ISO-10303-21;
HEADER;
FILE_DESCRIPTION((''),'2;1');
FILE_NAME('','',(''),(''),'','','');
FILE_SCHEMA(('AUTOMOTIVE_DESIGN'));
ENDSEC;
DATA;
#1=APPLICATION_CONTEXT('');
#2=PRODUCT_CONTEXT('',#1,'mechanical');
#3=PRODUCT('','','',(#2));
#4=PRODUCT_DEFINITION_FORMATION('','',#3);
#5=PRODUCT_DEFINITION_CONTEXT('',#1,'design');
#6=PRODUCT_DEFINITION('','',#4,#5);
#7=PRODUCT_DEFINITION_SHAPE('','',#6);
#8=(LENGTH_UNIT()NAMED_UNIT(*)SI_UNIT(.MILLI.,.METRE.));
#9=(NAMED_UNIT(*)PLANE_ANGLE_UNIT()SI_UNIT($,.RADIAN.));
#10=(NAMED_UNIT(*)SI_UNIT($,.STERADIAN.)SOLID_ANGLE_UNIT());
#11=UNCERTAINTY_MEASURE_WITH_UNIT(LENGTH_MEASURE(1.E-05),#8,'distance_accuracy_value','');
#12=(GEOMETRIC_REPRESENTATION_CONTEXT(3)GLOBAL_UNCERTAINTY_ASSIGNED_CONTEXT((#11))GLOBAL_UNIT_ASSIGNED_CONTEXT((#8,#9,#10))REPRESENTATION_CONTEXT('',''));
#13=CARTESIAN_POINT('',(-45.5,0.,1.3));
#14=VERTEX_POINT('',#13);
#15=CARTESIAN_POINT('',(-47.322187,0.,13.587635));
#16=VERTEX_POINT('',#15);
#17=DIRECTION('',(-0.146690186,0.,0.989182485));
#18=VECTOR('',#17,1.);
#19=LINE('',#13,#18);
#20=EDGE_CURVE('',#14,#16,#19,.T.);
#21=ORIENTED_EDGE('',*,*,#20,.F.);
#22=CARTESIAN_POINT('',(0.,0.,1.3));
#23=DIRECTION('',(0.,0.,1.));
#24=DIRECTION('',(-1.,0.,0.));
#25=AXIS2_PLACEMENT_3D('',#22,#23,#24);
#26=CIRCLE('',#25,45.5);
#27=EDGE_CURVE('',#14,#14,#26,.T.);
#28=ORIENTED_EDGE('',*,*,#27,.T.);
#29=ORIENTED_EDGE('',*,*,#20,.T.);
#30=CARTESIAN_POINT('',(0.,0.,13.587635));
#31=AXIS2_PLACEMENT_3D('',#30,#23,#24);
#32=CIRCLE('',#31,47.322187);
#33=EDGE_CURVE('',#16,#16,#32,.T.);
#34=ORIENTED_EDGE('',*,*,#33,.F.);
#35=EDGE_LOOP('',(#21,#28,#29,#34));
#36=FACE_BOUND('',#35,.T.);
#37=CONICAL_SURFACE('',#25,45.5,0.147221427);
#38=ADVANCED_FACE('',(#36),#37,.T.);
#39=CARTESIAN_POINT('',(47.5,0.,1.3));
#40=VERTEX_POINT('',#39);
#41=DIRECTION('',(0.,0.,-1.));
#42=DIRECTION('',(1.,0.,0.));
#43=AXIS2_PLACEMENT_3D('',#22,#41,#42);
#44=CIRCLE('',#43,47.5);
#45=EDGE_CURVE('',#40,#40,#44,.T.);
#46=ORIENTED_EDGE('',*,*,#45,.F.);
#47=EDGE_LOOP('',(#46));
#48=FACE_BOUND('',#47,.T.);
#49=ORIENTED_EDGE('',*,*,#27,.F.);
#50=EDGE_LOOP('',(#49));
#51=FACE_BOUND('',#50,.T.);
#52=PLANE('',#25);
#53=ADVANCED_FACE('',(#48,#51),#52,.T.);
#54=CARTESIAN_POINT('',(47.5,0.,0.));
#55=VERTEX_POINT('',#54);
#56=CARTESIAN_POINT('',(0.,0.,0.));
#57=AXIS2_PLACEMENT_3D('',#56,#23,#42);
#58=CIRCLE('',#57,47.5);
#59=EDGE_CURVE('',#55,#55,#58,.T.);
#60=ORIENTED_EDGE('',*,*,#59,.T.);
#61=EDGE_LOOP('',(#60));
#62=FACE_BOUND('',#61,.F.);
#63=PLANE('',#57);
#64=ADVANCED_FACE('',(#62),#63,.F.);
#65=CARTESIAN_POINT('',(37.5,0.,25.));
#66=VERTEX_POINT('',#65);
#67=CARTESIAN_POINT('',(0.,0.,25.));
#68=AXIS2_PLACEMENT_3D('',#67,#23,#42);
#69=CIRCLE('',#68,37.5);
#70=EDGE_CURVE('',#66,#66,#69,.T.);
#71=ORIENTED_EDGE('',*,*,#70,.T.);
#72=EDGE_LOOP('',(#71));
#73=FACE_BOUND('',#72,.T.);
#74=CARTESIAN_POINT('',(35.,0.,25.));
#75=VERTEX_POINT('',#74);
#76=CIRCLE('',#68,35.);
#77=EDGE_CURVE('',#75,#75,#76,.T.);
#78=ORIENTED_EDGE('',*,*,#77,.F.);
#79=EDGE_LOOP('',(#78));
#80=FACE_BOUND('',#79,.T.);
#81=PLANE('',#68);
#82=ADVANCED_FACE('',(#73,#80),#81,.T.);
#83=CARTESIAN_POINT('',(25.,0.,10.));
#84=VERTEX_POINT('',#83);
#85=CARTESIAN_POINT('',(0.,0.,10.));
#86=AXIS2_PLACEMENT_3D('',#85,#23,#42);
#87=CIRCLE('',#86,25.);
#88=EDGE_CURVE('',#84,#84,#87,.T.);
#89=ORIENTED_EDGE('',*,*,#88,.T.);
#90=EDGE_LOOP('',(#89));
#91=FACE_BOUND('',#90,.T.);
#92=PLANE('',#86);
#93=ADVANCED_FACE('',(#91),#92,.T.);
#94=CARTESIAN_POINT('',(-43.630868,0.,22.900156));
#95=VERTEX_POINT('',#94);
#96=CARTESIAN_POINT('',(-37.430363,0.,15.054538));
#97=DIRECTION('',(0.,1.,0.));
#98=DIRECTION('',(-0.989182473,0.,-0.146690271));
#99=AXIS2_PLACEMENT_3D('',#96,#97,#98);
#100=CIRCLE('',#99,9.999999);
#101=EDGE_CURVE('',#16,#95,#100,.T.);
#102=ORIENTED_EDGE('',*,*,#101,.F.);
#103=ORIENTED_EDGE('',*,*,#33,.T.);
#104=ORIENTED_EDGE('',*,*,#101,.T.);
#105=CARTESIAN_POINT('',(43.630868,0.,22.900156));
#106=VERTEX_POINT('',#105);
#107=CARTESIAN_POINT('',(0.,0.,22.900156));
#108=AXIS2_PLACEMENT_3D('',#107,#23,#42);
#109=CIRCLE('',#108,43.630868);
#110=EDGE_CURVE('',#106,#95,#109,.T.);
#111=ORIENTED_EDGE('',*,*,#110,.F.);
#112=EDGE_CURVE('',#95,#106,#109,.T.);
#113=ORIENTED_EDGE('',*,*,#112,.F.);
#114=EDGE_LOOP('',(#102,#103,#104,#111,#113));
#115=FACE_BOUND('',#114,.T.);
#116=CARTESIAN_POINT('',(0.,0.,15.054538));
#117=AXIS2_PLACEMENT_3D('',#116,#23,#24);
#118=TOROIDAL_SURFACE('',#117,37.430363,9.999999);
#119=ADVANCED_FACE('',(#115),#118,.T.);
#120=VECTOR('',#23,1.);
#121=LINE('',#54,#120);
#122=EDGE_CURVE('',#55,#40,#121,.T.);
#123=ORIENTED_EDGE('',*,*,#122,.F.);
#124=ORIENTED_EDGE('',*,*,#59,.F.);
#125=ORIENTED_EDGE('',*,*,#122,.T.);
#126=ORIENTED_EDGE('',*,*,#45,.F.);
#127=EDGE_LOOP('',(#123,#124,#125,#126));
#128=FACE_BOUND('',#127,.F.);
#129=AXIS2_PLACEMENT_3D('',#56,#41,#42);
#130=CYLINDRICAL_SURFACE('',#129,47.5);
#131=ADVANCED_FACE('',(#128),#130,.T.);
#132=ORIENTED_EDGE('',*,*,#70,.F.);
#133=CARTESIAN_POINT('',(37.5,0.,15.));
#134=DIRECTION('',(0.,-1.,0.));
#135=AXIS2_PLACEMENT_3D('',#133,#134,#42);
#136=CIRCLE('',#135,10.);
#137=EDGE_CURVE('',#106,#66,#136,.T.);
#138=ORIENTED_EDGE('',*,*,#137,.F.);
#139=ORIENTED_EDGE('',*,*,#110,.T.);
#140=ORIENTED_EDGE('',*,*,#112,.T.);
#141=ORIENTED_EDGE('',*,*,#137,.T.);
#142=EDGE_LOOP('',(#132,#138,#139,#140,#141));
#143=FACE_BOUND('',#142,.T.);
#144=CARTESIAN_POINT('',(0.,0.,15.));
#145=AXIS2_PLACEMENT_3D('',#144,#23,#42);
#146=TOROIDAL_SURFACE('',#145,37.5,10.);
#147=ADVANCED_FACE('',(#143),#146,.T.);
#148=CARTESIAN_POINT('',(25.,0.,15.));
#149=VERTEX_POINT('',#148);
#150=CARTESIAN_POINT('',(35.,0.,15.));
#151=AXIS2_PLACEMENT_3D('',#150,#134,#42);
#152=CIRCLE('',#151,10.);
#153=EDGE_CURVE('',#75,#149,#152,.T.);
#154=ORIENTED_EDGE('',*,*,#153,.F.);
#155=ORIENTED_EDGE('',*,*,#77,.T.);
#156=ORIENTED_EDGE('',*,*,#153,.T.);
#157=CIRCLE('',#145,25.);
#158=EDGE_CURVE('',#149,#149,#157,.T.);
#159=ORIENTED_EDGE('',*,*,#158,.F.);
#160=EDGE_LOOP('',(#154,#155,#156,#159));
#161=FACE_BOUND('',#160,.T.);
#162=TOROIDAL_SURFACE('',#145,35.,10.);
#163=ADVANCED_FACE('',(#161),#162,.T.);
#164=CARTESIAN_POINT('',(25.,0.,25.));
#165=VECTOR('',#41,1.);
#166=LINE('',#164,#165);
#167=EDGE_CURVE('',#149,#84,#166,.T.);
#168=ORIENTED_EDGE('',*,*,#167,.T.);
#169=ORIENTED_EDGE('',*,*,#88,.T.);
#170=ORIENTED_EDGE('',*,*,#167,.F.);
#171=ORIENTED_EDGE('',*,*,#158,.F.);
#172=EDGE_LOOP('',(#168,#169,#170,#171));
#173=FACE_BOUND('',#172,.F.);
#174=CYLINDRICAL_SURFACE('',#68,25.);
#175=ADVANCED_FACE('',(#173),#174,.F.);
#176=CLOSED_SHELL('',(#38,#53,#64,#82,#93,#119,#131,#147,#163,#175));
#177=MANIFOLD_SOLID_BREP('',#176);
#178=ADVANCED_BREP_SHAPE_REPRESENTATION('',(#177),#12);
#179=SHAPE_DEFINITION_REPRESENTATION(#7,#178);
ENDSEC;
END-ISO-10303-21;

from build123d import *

# Parameters (mm, degrees)
F0_R     = 47.5
F1_DEPTH = 25
F2_R     = 25
F3_DEPTH = 15
F4_R     = 10


with BuildPart() as f1:
    # F0 (on Top) → F1 (new body)
    with BuildSketch(Plane.XY):
        Circle(F0_R)
    extrude(amount=F1_DEPTH)

    # F2 (on face) → F3 (cut)
    with BuildSketch(Plane.XY.offset(25)):
        Circle(F2_R)
    extrude(amount=-F3_DEPTH, mode=Mode.SUBTRACT)

    # F4
    f4_edges = [f1.edges().sort_by_distance(p)[0] for p in [
        (-47.5, 0, 25),
        (-25, 0, 25),
    ]]
    fillet(f4_edges, radius=F4_R)

    # F5 (on Front) → F6 (revolve, cut)
    with BuildSketch(Plane.XZ):
        with BuildLine():
            Line((-50.882176, -0.324849), (-47.5, 0))
            Line((-47.5, 0), (-47.5, 1.3))
            Line((-47.5, 1.3), (-45.5, 1.3))
            Line((-45.5, 1.3), (-47.322187, 13.587635))
            ThreePointArc((-47.322187, 13.587635), (-44.992555, 21.59772), (-37.400495, 25.054492))
            Line((-37.400495, 25.054492), (-37.400495, 26.943451))
            Line((-37.400495, 26.943451), (-49.502667, 21.701315))
            Line((-49.502667, 21.701315), (-50.882176, -0.324849))
        make_face()
    revolve(axis=Axis((0, 0, 17.452553), (0, 0, 1)), mode=Mode.SUBTRACT)


solid = f1.part
